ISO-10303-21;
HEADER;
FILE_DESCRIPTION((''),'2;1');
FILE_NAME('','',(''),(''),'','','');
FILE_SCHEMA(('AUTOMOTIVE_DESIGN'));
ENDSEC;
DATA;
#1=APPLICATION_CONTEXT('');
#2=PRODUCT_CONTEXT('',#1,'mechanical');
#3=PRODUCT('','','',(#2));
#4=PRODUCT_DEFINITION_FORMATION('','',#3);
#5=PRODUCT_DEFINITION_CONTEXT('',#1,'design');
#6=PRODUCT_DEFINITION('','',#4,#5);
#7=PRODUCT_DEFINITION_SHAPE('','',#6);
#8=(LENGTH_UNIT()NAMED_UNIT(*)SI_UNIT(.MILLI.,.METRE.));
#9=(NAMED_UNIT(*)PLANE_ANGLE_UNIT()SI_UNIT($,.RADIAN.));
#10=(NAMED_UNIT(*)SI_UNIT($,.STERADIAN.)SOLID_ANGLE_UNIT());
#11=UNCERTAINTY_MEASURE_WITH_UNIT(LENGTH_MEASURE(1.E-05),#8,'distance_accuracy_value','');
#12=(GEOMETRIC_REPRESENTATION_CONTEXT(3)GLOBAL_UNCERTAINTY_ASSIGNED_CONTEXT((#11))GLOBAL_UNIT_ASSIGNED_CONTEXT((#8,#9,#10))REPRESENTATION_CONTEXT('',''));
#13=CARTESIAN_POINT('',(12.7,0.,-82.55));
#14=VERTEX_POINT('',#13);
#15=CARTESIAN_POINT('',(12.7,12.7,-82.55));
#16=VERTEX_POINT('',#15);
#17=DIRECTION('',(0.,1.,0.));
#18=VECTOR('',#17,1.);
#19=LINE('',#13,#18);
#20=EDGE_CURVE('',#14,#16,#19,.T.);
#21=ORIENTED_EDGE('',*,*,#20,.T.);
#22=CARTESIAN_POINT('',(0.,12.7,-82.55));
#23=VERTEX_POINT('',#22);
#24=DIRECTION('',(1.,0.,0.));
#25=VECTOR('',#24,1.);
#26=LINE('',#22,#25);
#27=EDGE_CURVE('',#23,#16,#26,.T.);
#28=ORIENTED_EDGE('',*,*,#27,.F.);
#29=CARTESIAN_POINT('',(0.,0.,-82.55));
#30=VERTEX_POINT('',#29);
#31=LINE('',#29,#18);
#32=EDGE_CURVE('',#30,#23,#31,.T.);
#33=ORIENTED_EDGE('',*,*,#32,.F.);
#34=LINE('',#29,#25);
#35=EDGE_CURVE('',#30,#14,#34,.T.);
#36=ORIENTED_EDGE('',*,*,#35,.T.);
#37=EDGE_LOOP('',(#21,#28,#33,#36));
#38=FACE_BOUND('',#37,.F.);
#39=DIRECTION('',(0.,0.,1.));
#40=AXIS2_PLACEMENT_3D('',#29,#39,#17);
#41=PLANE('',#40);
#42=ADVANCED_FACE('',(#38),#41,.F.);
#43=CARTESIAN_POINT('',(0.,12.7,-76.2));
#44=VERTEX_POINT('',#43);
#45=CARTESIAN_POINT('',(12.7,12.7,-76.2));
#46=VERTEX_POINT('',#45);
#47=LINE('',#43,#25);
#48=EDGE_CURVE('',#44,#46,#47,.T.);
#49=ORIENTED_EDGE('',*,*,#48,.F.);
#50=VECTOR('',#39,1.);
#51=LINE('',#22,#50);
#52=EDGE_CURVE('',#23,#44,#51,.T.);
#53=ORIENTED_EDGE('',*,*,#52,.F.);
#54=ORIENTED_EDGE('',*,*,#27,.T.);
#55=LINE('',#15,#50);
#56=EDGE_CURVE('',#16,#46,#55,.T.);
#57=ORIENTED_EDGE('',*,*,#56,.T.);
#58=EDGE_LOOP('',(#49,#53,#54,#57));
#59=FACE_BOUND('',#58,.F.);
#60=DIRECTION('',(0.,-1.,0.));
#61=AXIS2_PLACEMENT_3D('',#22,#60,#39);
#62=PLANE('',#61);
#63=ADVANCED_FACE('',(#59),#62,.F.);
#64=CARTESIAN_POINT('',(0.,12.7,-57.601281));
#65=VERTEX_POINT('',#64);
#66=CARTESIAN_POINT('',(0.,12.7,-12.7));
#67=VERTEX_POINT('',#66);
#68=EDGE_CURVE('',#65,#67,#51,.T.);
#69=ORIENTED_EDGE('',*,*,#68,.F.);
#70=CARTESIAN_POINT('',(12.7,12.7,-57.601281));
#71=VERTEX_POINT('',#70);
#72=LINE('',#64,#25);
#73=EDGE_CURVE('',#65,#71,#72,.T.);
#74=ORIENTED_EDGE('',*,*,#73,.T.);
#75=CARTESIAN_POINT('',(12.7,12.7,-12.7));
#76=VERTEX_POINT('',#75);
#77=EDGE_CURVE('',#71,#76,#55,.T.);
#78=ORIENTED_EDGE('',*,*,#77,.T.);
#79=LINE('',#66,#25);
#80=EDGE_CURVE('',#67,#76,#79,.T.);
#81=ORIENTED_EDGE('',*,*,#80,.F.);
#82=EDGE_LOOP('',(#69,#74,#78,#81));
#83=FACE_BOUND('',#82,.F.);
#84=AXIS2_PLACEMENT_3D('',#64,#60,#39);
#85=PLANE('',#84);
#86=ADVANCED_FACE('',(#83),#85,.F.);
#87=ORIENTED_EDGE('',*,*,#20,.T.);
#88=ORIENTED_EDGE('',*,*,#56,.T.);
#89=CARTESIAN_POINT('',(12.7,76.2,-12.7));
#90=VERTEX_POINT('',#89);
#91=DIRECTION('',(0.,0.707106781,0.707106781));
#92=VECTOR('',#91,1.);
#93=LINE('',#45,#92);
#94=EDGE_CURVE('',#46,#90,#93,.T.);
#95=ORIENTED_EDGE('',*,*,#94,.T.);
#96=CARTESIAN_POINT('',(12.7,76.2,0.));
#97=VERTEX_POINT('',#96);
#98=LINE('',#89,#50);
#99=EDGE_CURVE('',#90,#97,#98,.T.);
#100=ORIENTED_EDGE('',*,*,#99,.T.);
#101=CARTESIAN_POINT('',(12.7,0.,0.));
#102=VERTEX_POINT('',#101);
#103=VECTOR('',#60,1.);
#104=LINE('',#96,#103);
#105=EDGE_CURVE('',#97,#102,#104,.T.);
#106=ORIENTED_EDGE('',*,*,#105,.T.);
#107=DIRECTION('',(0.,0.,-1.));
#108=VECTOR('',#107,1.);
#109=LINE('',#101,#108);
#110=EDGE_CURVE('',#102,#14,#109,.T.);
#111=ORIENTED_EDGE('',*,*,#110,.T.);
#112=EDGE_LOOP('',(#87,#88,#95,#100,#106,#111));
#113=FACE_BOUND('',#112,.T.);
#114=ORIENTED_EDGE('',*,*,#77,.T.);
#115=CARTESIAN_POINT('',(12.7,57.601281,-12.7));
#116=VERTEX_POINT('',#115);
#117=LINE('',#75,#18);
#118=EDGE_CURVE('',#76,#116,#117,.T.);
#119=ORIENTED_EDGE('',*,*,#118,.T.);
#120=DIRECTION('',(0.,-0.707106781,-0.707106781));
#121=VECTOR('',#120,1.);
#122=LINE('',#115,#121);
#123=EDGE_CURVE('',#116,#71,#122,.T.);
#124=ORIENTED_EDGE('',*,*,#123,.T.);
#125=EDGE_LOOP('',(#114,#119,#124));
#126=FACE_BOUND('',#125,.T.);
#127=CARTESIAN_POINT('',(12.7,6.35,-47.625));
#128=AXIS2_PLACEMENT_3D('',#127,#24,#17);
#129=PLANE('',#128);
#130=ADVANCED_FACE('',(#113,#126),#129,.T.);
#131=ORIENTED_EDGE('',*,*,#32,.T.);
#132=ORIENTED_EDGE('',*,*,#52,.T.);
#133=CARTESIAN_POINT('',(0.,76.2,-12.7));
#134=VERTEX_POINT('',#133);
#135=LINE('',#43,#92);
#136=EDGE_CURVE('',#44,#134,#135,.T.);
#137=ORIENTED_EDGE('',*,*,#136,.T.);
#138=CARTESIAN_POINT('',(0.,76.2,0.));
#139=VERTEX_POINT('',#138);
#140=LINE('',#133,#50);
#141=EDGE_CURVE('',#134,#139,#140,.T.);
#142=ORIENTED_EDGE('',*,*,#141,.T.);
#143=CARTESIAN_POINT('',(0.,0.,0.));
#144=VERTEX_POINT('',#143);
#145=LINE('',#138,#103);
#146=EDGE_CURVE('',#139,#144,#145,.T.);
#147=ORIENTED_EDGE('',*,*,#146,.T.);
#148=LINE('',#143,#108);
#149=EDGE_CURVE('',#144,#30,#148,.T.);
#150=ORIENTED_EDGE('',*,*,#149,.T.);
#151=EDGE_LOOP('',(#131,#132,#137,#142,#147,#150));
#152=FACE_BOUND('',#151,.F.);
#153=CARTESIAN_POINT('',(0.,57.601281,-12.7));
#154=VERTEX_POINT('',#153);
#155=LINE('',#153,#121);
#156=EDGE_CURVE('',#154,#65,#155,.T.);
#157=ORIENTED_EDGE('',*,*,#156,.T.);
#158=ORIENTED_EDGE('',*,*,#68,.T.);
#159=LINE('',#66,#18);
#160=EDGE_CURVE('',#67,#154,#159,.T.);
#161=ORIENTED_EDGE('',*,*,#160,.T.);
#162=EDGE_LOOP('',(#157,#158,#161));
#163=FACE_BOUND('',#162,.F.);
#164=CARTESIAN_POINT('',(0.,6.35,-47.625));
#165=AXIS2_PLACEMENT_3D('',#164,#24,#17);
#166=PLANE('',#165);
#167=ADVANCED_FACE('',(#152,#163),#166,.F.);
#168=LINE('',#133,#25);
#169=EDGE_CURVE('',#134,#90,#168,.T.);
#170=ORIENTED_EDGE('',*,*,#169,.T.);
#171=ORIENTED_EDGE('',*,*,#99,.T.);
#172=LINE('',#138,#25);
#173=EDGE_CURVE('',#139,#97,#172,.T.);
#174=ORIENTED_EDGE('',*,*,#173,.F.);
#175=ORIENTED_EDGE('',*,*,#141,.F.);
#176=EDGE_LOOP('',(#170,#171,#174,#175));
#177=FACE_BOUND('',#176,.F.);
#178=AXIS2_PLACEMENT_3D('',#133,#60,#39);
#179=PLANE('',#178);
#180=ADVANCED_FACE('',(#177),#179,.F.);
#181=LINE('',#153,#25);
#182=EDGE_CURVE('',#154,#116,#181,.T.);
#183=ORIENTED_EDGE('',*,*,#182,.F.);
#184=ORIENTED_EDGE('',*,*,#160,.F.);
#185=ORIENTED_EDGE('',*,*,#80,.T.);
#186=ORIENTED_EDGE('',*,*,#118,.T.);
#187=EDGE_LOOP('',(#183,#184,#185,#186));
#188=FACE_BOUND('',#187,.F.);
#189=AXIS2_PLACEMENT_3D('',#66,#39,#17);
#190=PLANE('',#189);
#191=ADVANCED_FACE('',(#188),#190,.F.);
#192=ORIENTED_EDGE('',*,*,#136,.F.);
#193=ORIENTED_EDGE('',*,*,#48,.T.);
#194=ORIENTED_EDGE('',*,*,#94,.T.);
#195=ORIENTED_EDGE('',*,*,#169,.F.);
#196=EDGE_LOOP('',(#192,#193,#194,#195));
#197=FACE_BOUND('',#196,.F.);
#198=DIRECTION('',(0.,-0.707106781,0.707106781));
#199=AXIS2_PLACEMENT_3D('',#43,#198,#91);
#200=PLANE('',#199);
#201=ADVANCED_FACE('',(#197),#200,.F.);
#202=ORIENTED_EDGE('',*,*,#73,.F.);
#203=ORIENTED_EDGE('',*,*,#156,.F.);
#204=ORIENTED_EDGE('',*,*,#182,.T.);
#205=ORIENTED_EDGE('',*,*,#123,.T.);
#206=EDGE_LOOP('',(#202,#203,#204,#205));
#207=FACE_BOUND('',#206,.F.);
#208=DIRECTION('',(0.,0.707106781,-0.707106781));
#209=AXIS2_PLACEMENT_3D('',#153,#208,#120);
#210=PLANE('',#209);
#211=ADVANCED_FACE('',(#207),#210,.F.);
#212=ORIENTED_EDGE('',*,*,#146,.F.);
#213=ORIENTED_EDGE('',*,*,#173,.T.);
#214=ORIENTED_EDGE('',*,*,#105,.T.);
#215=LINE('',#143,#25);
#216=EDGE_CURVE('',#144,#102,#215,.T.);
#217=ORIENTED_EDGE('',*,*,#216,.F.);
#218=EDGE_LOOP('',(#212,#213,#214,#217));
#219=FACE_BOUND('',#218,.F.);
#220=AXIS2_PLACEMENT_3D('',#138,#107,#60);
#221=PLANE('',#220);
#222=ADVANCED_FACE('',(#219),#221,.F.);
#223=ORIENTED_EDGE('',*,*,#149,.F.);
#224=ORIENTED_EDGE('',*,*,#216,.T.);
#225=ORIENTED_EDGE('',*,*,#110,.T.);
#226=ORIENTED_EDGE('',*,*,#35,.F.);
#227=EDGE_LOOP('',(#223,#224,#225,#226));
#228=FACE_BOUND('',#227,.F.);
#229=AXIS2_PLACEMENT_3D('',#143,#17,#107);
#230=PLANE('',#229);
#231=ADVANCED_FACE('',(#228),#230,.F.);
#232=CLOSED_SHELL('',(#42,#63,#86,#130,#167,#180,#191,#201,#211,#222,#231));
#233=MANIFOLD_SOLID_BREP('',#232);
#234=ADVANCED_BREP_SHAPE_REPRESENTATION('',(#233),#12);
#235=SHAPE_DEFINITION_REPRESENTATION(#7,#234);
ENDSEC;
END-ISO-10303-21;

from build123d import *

# Parameters (mm, degrees)
F1_DEPTH = 12.7


with BuildPart() as f1:
    # F0 (on Right) → F1 (new body)
    with BuildSketch(Plane.YZ):
        Polygon((12.7, -12.7), (0, -12.7), (0, -82.55), (12.7, -82.55), (12.7, -76.2), (12.7, -57.601281), align=None)
        Polygon((76.2, -12.7), (76.2, 0), (0, 0), (0, -12.7), (12.7, -12.7), (57.601281, -12.7), align=None)
        Polygon((12.7, -76.2), (76.2, -12.7), (57.601281, -12.7), (12.7, -57.601281), align=None)
    extrude(amount=F1_DEPTH)


solid = f1.part
